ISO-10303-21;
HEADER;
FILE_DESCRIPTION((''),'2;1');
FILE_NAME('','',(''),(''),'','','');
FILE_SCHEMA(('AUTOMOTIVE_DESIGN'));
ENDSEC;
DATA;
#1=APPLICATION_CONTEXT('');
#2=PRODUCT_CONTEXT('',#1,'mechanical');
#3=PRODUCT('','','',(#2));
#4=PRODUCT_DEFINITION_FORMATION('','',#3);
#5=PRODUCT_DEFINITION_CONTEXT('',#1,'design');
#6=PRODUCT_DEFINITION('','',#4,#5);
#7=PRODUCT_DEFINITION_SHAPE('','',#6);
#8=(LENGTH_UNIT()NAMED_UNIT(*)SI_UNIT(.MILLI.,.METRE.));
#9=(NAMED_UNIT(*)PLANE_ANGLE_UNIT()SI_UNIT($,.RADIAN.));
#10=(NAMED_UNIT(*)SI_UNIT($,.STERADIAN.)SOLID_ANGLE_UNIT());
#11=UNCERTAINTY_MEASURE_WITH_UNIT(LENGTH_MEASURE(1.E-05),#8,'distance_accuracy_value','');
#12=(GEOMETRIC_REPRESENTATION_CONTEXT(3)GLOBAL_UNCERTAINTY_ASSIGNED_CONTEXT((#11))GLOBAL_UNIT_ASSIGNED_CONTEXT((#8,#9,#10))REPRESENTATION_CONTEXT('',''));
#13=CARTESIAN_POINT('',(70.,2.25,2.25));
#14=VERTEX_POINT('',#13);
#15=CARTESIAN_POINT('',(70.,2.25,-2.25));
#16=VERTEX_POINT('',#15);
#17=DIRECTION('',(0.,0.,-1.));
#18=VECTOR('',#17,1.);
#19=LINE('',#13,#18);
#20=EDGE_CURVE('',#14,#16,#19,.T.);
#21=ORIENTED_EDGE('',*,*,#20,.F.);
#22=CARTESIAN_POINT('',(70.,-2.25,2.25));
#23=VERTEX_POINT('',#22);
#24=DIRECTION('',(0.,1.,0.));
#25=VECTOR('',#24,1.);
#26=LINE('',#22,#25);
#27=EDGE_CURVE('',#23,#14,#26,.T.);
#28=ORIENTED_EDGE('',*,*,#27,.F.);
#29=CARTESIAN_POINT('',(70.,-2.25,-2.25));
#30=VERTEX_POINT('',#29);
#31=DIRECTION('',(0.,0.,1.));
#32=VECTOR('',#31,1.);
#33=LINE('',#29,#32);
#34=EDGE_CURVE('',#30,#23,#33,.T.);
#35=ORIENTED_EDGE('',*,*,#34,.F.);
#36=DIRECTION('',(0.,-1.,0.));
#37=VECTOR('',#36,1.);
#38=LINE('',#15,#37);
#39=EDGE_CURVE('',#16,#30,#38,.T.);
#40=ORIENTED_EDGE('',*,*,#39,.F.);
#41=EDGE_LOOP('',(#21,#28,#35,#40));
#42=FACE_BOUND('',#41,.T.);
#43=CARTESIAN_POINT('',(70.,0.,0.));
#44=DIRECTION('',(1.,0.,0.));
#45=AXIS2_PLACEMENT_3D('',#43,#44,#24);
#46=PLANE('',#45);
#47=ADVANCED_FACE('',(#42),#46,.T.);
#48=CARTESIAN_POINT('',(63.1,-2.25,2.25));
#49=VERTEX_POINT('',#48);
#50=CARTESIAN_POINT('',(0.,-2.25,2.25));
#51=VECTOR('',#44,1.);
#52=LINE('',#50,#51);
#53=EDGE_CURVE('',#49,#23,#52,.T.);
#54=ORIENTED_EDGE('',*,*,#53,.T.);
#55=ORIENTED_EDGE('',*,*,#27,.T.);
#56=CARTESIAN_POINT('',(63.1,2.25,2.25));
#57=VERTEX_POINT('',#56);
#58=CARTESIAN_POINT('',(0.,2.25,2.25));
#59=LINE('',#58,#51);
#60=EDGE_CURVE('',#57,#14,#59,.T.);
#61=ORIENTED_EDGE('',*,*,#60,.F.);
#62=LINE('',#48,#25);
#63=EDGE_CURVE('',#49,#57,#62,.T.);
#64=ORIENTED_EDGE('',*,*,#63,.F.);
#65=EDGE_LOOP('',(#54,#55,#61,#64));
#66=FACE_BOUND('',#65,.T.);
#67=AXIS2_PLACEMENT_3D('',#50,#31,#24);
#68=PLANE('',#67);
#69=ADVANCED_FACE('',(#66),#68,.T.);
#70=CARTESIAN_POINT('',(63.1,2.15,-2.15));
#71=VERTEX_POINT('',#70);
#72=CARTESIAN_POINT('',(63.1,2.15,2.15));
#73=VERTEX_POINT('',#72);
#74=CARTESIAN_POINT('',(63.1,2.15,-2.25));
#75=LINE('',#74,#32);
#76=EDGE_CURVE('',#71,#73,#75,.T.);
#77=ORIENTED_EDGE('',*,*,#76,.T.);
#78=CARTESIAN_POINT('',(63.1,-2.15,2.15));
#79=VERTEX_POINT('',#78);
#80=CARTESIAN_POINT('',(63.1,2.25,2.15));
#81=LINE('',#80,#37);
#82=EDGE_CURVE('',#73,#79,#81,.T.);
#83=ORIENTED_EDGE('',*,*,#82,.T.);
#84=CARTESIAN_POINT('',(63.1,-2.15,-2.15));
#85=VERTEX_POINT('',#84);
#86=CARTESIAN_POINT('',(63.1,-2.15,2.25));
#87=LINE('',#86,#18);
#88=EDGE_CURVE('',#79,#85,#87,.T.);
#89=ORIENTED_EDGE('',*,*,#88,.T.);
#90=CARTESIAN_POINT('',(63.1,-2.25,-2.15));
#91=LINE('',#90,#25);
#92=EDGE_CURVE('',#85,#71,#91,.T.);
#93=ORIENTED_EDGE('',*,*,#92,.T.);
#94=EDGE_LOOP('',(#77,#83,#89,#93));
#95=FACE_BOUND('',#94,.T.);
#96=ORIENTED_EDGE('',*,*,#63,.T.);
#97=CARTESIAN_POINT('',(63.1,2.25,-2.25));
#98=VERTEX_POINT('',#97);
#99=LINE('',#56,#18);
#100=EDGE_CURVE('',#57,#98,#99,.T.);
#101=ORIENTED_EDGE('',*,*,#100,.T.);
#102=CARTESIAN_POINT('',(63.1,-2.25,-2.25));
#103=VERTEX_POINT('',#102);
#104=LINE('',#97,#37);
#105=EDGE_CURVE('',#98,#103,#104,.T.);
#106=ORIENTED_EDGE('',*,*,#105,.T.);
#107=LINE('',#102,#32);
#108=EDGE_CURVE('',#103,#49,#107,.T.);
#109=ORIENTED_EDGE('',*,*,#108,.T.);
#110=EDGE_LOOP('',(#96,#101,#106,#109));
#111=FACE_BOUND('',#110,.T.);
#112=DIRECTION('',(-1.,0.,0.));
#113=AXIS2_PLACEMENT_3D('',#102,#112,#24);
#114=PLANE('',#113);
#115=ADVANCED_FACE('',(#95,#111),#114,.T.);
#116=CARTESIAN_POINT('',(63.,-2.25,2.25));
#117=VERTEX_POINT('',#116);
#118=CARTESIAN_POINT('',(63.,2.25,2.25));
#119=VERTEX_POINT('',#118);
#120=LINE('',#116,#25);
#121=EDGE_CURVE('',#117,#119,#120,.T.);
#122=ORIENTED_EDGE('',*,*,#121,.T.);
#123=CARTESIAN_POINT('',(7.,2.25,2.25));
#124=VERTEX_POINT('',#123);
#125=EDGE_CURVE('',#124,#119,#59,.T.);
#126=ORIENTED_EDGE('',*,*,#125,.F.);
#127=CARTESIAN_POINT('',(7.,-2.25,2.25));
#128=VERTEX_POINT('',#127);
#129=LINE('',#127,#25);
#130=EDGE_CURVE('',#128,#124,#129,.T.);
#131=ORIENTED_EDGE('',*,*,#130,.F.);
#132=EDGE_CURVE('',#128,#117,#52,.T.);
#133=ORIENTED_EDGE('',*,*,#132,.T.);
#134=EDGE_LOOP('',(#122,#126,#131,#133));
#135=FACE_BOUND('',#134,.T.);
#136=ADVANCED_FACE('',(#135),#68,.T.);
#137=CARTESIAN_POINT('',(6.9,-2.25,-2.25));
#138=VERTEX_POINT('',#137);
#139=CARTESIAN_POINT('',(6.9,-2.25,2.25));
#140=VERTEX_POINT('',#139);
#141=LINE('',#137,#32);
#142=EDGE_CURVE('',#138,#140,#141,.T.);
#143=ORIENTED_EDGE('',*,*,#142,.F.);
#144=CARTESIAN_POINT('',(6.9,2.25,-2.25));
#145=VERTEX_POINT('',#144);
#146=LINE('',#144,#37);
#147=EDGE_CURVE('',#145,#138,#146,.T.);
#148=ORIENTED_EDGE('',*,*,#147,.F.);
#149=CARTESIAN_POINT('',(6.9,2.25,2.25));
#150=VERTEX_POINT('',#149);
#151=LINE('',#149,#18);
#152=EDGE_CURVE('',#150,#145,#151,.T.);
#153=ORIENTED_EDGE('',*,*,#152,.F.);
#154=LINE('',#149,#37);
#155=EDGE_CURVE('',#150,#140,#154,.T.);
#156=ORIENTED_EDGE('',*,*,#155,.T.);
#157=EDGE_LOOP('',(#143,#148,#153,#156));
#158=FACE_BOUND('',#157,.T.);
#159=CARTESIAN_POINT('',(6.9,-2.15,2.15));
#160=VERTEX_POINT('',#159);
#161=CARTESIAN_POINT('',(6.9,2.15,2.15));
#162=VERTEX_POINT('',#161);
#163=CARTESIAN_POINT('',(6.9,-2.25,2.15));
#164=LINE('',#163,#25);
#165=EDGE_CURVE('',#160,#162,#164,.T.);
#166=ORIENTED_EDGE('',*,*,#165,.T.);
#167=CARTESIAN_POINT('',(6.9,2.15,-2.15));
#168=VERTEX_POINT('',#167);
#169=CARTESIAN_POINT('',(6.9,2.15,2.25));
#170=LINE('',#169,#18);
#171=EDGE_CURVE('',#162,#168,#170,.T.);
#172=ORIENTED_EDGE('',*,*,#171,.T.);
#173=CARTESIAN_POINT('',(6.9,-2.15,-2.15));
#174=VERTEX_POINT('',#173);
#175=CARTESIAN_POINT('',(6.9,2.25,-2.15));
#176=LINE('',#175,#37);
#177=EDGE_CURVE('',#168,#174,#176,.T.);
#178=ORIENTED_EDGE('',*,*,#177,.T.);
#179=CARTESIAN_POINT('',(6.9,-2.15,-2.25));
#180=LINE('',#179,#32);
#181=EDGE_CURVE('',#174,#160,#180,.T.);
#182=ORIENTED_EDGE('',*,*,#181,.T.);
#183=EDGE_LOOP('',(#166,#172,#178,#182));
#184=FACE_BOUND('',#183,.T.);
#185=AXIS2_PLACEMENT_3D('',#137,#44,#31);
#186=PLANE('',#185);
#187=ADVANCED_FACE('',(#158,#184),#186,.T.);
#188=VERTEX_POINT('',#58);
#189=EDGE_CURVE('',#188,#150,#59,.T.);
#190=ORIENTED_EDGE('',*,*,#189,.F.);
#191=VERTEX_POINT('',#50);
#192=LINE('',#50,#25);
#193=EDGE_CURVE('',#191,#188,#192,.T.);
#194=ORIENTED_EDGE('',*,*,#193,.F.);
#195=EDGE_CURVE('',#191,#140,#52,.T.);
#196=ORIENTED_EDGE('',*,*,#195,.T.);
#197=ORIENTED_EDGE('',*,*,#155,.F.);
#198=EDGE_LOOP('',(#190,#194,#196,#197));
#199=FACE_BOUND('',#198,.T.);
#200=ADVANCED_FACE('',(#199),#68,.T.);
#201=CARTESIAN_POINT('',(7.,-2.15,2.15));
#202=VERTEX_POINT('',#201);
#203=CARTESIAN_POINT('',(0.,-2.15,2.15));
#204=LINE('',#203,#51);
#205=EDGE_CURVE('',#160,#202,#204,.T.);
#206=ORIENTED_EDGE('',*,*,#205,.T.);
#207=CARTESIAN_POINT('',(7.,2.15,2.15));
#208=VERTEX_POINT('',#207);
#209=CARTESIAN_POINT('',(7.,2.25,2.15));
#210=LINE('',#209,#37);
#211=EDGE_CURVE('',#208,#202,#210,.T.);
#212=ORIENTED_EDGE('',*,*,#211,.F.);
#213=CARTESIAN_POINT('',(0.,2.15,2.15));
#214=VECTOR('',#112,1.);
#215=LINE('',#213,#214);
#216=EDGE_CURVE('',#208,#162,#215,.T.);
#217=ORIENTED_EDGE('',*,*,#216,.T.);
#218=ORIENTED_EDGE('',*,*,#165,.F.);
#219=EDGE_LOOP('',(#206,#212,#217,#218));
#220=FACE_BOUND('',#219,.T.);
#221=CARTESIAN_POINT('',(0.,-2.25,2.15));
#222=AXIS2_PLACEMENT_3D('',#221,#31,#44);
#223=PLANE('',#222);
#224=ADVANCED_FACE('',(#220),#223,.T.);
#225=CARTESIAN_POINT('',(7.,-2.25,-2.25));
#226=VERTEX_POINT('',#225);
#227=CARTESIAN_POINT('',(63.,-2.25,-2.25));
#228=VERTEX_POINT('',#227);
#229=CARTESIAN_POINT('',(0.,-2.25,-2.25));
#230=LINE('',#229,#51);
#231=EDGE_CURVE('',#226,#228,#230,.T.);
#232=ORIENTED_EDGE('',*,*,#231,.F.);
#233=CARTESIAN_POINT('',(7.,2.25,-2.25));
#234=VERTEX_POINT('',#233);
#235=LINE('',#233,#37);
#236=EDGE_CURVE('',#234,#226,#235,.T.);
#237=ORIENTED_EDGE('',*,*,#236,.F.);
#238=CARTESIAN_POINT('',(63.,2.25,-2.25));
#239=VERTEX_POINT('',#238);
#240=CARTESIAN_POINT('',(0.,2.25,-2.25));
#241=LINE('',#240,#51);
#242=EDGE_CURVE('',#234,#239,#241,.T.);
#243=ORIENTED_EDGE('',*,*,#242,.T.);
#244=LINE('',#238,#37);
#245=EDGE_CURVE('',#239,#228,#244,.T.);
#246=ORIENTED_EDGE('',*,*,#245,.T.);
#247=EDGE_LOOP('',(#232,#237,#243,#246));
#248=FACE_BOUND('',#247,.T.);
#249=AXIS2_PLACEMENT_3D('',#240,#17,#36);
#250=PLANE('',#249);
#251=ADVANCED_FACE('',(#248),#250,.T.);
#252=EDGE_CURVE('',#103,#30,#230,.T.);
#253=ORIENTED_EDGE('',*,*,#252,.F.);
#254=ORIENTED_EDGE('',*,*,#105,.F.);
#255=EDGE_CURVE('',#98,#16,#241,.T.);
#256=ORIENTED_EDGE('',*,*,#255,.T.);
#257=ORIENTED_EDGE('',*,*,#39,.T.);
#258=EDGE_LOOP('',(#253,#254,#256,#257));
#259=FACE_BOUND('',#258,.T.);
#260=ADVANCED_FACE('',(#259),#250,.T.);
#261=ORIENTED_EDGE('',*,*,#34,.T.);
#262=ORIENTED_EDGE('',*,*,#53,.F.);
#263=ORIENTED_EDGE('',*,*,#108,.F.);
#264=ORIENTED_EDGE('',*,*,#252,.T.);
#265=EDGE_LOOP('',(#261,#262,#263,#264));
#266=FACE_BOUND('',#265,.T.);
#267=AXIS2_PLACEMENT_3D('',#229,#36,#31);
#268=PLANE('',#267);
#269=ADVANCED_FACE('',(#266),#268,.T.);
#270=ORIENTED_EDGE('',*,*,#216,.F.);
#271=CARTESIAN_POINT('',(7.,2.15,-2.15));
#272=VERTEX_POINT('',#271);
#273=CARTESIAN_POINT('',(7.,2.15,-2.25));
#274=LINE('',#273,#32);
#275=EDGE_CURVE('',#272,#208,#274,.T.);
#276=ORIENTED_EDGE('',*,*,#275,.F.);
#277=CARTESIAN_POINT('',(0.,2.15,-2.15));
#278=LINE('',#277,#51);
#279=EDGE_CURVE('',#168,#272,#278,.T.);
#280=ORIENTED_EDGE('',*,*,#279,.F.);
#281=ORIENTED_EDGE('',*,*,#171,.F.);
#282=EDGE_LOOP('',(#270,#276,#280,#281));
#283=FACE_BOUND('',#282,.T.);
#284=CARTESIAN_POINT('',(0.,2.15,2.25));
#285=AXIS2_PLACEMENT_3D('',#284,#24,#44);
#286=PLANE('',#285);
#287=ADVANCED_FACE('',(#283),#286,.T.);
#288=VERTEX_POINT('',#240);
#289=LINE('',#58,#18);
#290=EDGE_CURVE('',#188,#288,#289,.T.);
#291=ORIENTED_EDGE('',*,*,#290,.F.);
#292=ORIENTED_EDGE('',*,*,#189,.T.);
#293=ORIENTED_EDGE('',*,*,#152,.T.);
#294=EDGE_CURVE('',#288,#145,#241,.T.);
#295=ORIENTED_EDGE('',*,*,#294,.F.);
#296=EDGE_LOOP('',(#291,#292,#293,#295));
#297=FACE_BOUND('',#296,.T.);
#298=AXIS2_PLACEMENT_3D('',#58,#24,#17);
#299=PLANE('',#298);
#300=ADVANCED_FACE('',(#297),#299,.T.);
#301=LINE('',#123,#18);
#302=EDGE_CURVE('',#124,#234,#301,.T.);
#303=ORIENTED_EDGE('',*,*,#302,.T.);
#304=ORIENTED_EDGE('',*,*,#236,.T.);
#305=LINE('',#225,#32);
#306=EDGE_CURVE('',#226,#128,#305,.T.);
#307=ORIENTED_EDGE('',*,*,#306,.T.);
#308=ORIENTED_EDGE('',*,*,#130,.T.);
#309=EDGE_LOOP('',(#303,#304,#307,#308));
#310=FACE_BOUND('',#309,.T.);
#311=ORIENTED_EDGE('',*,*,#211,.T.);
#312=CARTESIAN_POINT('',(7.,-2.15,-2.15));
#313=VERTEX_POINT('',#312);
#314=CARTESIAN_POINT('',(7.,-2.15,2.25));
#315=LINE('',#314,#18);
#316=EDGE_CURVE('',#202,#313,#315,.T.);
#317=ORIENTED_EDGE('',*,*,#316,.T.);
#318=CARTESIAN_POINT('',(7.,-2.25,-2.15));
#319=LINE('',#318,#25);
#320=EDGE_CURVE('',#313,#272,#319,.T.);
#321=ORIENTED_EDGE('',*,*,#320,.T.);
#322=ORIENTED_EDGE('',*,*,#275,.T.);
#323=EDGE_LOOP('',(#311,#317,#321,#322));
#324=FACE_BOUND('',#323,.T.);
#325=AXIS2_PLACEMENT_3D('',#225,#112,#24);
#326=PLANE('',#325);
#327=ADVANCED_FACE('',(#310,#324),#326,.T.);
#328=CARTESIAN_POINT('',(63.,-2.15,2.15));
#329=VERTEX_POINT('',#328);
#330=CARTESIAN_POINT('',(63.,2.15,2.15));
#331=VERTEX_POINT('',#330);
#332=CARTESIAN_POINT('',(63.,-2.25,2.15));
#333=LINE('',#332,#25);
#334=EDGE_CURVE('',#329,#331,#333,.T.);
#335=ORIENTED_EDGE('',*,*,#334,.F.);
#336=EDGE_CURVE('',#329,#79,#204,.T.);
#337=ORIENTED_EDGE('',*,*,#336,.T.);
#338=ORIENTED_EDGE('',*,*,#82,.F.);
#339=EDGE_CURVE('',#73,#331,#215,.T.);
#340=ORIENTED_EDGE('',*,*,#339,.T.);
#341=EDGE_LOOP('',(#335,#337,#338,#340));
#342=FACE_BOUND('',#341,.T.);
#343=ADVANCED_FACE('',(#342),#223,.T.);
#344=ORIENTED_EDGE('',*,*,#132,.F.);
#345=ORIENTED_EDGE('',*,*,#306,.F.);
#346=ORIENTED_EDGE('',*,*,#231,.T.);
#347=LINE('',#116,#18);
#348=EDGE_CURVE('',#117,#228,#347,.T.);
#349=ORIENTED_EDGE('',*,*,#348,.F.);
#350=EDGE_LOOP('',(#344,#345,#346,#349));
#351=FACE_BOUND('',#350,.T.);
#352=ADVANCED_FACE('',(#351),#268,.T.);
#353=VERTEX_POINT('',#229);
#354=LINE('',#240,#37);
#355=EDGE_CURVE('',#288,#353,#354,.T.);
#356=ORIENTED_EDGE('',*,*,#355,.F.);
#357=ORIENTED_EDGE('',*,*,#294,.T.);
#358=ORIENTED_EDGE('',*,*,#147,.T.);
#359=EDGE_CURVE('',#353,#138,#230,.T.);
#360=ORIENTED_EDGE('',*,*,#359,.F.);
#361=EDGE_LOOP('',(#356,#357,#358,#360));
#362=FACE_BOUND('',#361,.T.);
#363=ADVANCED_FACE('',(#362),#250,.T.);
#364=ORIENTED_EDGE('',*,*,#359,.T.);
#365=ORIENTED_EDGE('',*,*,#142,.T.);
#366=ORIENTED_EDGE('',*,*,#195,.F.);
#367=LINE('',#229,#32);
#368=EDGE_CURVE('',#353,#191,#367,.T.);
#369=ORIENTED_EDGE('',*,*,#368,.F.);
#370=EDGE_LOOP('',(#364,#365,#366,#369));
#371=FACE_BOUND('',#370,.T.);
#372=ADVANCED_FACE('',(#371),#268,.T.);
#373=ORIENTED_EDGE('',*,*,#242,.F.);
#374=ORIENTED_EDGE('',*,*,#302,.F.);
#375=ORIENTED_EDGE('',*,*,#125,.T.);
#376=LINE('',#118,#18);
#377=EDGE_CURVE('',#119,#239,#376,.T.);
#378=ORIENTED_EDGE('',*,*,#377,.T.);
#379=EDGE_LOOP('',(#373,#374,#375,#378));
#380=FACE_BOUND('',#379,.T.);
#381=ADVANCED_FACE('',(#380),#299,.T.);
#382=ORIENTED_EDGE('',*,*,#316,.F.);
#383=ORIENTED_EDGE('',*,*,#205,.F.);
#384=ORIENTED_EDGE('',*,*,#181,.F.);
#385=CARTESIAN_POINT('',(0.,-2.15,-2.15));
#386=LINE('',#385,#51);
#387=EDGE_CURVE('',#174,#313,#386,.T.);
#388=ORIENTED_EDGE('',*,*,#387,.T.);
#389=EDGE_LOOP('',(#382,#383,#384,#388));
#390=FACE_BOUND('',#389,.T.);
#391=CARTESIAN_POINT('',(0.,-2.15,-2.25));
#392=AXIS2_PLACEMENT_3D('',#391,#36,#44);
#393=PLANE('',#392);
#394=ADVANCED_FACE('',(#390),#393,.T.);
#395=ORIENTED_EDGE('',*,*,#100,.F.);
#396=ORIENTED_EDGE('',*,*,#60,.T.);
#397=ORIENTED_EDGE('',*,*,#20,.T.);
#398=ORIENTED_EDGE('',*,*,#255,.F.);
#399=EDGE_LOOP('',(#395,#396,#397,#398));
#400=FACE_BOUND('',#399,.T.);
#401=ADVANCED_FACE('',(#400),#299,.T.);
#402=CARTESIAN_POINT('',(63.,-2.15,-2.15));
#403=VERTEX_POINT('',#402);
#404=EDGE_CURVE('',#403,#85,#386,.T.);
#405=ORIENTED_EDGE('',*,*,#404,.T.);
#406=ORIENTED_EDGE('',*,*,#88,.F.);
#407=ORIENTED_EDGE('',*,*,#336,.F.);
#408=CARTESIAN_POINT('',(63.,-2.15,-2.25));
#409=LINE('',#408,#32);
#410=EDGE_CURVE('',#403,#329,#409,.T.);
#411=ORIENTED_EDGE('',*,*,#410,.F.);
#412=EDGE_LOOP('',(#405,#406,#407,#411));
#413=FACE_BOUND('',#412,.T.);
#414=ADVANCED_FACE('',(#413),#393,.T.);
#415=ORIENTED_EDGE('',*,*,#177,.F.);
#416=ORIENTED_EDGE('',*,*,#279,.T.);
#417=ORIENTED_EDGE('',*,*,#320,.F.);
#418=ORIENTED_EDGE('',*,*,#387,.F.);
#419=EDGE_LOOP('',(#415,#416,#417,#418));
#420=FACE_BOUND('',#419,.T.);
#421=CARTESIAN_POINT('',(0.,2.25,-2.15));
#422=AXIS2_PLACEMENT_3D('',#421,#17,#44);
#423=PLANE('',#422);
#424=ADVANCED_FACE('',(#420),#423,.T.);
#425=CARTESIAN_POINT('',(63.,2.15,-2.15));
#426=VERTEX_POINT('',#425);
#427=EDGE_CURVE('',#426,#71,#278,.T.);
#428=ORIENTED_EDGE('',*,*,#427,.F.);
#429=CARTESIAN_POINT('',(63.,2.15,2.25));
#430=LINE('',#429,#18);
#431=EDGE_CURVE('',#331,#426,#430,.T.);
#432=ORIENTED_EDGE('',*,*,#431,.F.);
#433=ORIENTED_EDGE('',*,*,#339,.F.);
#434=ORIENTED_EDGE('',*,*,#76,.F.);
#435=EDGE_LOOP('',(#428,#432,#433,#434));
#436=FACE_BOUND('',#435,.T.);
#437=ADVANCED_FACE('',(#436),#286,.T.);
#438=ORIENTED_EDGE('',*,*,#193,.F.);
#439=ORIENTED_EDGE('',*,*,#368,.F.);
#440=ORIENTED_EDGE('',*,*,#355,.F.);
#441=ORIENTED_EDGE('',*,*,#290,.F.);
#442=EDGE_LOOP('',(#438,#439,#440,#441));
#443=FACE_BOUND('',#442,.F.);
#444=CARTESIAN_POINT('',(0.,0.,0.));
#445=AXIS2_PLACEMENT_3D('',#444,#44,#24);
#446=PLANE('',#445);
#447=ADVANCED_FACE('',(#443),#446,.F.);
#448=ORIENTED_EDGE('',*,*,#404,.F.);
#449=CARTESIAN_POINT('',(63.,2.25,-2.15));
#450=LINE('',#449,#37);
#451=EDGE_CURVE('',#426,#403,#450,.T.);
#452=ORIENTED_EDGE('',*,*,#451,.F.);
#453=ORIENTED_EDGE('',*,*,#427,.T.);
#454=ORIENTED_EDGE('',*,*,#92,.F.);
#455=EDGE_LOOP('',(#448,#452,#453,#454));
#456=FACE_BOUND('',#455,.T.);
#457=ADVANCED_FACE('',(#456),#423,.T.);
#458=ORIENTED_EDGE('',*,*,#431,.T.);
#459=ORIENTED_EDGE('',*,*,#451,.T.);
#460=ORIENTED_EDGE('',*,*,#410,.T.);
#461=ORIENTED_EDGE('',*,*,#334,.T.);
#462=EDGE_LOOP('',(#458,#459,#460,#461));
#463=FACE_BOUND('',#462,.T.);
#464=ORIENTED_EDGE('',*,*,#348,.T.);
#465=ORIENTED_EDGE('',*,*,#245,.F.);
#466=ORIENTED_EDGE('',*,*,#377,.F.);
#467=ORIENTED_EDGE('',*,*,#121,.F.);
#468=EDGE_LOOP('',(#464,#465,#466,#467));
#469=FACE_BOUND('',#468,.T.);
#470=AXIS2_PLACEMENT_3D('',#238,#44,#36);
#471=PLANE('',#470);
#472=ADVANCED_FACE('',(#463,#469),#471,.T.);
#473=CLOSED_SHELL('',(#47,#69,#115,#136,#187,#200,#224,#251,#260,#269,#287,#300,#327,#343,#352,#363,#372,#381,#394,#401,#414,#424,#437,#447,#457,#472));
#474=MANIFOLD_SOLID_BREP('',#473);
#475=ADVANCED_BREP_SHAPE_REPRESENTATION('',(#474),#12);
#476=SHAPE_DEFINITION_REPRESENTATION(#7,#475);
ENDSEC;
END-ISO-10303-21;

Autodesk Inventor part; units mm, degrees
ref_plane "YZ Plane" through (0, 0, 0) normal (1, 0, 0) x (0, 1, 0)
ref_plane "XZ Plane" through (0, 0, 0) normal (0, 1, 0) x (-1, 0, 0)
ref_plane "XY Plane" through (0, 0, 0) normal (0, 0, 1) x (1, 0, 0)
sketch "Эскиз1" plane through (0, 0, 0) normal (1, 0, 0) x (0, 1, 0)
  line L0 (2.25, -2.25) -> (-2.25, -2.25)
  line L1 (-2.25, -2.25) -> (-2.25, 2.25)
  line L2 (-2.25, 2.25) -> (2.25, 2.25)
  line L3 (2.25, 2.25) -> (2.25, -2.25)
  line L4 (2.25, -2.25) -> (-2.25, 2.25) construction
  line L5 (-2.25, -2.25) -> (2.25, 2.25) construction
  point P0 (0, 0)
  dimension "d0" = 4.5
  dimension "d1" = 4.5
extrude "Выдавливание1" add sketch "Эскиз1" along normal blind 70
sketch "Эскиз2" plane through (0, -2.25, 2.25) normal (0, 0, 1) x (1, 0, 0)
  line L0 (0, 4.5) -> (0, 0) projected
  line L1 (0, 0) -> (70, 0) projected
  line L2 (70, 4.5) -> (70, 0) projected
  line L3 (0, 4.5) -> (70, 4.5) projected
  line L4 (6.9, 4.5) -> (7, 4.5)
  line L5 (7, 4.5) -> (7, 0)
  line L6 (7, 0) -> (6.9, 0)
  line L7 (6.9, 0) -> (6.9, 4.5)
  line L8 (63, 4.5) -> (63.1, 4.5)
  line L9 (63.1, 4.5) -> (63.1, 0)
  line L10 (63.1, 0) -> (63, 0)
  line L11 (63, 0) -> (63, 4.5)
  point P0 (0, 2.25)
  point P1 (63, 0)
  point P2 (6.9, 0)
  dimension "d4" = 0.1
  dimension "d5" = 0.1
  dimension "d6" = 6.9
  dimension "d7" = 6.9
extrude "Выдавливание2" cut sketch "Эскиз2" against normal blind 0.1 contours L3 L5 L1 L7 | L3 L9 L1 L11
pattern_circular "Круговой массив1" count 4 over 360 about axis through (-10, 0, 0) along (1, 0, 0) of "Выдавливание2"
sketch "Эскиз3" plane through (70, 0, 0) normal (1, 0, 0) x (0, 0, -1)
  line L0 (-2.25, 2.25) -> (-2.25, -2.25) projected
  line L1 (-2.25, -2.25) -> (2.25, -2.25) projected
  line L2 (2.25, -2.25) -> (2.25, 2.25) projected
  line L3 (2.25, 2.25) -> (-2.25, 2.25) projected
  point P0 (0, 0)
properties part number "Torsion" material "Нейлон 6/6"
